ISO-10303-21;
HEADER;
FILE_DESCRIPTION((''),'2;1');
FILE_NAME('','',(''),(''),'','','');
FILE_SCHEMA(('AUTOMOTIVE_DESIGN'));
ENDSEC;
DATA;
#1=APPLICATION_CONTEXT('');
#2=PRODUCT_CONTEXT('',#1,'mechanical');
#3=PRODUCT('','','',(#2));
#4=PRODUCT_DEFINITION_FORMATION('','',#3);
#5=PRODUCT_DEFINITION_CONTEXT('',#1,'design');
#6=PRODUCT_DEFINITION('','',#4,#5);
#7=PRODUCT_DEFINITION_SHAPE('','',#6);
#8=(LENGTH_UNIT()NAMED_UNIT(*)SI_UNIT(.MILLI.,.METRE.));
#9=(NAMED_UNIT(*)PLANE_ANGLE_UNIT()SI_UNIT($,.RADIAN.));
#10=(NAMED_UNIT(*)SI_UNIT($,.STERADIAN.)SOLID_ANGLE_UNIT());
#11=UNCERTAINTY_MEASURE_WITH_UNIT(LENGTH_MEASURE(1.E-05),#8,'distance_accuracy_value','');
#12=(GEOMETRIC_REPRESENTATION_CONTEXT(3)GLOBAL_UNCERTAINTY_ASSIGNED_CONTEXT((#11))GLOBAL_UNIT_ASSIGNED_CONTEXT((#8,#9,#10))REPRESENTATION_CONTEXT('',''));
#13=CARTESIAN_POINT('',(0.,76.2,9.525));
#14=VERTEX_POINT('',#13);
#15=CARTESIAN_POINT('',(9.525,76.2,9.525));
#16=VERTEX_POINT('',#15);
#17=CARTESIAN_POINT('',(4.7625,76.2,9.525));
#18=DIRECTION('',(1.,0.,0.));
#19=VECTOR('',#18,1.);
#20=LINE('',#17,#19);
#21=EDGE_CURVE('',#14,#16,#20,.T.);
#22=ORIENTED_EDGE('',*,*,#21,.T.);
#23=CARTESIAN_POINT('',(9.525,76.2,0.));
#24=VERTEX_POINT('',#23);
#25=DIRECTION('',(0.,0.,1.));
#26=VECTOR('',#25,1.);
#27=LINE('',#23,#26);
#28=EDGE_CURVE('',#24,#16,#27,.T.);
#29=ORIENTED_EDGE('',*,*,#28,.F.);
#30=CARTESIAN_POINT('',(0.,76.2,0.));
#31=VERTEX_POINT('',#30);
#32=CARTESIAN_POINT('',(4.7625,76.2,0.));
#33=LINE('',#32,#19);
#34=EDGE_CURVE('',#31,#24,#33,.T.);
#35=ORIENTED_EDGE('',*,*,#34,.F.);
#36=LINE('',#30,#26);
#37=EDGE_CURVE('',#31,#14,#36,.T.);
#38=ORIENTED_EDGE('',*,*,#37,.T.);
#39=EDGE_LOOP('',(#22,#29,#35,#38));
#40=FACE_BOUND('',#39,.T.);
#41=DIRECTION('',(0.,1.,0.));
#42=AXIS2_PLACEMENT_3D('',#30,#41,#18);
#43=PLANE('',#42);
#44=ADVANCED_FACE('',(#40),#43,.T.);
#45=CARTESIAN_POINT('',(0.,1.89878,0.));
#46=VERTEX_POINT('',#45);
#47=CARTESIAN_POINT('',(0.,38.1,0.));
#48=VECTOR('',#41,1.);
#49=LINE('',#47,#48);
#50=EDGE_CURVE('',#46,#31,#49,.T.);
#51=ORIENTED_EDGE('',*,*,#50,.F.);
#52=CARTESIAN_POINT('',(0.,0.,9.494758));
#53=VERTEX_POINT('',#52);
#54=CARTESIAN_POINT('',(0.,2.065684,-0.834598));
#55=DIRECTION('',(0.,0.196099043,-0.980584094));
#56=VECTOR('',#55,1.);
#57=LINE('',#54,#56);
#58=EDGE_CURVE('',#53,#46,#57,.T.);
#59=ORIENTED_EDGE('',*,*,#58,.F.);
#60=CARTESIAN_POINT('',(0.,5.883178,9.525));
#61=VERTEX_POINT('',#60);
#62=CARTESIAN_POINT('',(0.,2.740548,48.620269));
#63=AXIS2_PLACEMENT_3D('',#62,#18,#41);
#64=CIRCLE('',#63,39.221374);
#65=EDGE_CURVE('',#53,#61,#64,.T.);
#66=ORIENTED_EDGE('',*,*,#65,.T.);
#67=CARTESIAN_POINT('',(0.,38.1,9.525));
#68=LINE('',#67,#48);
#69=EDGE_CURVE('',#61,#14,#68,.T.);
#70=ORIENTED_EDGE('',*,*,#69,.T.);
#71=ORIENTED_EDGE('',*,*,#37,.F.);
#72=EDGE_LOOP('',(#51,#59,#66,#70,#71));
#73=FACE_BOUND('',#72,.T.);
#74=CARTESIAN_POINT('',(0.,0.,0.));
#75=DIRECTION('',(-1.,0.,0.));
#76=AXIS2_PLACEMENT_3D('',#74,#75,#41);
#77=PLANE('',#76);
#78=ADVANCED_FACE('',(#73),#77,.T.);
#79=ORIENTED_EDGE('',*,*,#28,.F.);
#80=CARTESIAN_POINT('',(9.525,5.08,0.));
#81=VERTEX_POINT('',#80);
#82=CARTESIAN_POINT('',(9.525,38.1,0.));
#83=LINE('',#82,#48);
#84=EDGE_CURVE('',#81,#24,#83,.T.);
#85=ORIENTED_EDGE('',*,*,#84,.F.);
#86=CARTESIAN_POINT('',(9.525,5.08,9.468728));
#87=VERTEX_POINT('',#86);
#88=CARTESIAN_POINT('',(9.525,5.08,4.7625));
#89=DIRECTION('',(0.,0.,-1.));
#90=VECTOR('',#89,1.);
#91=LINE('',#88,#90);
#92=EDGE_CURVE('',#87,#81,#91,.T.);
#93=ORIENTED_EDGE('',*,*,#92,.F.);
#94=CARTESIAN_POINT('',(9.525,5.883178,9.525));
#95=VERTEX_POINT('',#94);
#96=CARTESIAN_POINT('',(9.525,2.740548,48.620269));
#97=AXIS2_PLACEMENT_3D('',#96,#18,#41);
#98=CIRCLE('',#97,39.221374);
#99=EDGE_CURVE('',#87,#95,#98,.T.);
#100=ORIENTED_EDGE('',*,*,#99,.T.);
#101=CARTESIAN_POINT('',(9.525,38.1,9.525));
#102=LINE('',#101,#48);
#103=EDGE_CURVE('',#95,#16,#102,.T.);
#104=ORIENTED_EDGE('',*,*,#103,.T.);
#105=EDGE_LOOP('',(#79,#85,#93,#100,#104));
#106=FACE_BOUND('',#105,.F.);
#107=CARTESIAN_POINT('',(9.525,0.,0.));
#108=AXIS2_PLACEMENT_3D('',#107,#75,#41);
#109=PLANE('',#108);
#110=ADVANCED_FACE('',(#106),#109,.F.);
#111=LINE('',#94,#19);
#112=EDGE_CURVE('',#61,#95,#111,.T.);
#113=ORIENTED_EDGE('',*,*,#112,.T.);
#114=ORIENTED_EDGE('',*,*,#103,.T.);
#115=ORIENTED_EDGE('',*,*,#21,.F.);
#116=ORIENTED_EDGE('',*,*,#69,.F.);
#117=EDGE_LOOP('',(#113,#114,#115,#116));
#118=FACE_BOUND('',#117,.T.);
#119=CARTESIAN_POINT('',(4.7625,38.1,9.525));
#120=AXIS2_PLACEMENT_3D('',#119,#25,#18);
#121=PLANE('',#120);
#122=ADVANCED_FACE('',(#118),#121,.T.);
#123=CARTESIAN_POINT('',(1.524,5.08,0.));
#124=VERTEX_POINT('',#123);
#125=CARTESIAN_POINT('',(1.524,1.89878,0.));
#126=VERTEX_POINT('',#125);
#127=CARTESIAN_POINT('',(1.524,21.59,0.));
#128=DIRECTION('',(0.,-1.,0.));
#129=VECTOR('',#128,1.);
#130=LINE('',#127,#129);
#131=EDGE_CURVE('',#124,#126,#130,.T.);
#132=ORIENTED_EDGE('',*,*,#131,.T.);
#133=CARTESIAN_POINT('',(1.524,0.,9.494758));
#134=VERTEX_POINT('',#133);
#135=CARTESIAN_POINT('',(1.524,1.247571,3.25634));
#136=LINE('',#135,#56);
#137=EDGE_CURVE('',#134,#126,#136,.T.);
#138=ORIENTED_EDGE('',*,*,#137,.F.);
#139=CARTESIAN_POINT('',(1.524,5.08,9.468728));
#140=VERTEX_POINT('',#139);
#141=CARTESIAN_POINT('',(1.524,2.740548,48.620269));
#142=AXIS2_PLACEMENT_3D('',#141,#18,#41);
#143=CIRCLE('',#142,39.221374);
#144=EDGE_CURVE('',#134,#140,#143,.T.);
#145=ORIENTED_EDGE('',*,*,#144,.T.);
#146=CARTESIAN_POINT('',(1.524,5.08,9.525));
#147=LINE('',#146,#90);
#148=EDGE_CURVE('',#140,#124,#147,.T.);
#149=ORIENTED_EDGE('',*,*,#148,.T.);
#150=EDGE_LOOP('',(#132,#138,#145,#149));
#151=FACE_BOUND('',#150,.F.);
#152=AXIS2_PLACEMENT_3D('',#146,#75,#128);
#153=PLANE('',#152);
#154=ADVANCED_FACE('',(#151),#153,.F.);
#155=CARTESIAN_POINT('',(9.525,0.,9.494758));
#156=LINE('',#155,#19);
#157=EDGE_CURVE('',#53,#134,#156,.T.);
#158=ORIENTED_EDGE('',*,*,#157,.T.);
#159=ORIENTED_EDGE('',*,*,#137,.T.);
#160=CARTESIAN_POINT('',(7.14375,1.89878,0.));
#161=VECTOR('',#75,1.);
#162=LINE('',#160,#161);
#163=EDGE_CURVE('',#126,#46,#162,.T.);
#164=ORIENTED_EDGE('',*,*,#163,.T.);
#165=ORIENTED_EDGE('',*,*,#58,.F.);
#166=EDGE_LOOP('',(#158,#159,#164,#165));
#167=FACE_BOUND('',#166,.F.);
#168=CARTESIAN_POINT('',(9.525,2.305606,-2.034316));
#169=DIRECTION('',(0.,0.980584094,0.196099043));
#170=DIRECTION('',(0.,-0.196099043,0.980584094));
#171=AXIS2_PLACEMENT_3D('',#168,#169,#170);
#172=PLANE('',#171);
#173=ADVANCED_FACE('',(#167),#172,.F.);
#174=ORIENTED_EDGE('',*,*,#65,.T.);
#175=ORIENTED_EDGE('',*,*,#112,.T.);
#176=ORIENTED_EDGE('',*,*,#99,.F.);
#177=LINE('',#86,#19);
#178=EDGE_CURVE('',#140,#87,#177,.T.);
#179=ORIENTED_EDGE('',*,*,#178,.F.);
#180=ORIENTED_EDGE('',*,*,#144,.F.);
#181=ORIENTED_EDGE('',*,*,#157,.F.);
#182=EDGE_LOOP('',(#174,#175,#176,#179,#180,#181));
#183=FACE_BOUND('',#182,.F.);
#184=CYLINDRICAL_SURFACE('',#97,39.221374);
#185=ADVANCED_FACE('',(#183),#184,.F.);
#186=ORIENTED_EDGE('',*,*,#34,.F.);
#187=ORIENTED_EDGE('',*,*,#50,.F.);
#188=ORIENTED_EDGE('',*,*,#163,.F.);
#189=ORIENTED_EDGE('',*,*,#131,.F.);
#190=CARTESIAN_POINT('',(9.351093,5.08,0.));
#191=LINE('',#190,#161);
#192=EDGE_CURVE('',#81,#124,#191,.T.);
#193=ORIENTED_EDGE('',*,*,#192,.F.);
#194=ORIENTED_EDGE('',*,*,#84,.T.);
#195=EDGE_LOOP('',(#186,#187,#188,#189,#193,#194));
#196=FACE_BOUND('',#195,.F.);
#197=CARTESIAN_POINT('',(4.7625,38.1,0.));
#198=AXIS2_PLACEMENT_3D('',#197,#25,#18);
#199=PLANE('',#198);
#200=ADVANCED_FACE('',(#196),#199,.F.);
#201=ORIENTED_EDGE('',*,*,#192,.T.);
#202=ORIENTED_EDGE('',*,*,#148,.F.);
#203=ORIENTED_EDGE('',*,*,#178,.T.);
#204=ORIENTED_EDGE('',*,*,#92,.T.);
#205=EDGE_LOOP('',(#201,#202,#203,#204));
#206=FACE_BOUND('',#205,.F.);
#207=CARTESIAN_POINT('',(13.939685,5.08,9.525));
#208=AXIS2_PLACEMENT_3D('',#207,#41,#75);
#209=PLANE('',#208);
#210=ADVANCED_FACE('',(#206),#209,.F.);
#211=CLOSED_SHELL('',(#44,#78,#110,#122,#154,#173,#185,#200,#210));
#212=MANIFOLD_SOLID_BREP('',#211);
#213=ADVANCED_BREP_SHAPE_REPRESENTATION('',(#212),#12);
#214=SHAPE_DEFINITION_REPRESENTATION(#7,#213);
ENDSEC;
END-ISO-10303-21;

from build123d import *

# Parameters (mm, degrees)
F0_W     = 9.525
F0_H     = 76.2
F1_DEPTH = 9.525
F2_W     = 8.001
F2_H     = 5.08
F3_DEPTH = 25.4
F4_R     = 39.221374
F5_DEPTH = 25.4
F7_DEPTH = 25.4


with BuildPart() as f1:
    # F0 (on Top) → F1 (new body)
    with BuildSketch(Plane.XY):
        with Locations((4.7625, 38.1)):
            Rectangle(F0_W, F0_H)
    extrude(amount=F1_DEPTH)

    # F2 (on face) → F3 (cut)
    with BuildSketch(Plane.XY.offset(9.525)):
        Polygon((1.524, 0), (1.524, -3.864633), (13.939685, -4.220638), (13.939685, 5.08), (9.525, 5.08), (9.525, 0), align=None)
        with Locations((5.5245, 2.54)):
            Rectangle(F2_W, F2_H)
    extrude(amount=-F3_DEPTH, mode=Mode.SUBTRACT)

    # F4 (on face) → F5 (cut)
    with BuildSketch(Plane.YZ.offset(9.525)):
        with Locations((2.740548, 48.620269)):
            Circle(F4_R)
    extrude(amount=-F5_DEPTH, mode=Mode.SUBTRACT)

    # F6 (on face) → F7 (cut)
    with BuildSketch(Plane.YZ.offset(9.525)):
        Polygon((2.305606, -2.034316), (0, 9.494759), (0, 0), align=None)
    extrude(amount=-F7_DEPTH, mode=Mode.SUBTRACT)


solid = f1.part
